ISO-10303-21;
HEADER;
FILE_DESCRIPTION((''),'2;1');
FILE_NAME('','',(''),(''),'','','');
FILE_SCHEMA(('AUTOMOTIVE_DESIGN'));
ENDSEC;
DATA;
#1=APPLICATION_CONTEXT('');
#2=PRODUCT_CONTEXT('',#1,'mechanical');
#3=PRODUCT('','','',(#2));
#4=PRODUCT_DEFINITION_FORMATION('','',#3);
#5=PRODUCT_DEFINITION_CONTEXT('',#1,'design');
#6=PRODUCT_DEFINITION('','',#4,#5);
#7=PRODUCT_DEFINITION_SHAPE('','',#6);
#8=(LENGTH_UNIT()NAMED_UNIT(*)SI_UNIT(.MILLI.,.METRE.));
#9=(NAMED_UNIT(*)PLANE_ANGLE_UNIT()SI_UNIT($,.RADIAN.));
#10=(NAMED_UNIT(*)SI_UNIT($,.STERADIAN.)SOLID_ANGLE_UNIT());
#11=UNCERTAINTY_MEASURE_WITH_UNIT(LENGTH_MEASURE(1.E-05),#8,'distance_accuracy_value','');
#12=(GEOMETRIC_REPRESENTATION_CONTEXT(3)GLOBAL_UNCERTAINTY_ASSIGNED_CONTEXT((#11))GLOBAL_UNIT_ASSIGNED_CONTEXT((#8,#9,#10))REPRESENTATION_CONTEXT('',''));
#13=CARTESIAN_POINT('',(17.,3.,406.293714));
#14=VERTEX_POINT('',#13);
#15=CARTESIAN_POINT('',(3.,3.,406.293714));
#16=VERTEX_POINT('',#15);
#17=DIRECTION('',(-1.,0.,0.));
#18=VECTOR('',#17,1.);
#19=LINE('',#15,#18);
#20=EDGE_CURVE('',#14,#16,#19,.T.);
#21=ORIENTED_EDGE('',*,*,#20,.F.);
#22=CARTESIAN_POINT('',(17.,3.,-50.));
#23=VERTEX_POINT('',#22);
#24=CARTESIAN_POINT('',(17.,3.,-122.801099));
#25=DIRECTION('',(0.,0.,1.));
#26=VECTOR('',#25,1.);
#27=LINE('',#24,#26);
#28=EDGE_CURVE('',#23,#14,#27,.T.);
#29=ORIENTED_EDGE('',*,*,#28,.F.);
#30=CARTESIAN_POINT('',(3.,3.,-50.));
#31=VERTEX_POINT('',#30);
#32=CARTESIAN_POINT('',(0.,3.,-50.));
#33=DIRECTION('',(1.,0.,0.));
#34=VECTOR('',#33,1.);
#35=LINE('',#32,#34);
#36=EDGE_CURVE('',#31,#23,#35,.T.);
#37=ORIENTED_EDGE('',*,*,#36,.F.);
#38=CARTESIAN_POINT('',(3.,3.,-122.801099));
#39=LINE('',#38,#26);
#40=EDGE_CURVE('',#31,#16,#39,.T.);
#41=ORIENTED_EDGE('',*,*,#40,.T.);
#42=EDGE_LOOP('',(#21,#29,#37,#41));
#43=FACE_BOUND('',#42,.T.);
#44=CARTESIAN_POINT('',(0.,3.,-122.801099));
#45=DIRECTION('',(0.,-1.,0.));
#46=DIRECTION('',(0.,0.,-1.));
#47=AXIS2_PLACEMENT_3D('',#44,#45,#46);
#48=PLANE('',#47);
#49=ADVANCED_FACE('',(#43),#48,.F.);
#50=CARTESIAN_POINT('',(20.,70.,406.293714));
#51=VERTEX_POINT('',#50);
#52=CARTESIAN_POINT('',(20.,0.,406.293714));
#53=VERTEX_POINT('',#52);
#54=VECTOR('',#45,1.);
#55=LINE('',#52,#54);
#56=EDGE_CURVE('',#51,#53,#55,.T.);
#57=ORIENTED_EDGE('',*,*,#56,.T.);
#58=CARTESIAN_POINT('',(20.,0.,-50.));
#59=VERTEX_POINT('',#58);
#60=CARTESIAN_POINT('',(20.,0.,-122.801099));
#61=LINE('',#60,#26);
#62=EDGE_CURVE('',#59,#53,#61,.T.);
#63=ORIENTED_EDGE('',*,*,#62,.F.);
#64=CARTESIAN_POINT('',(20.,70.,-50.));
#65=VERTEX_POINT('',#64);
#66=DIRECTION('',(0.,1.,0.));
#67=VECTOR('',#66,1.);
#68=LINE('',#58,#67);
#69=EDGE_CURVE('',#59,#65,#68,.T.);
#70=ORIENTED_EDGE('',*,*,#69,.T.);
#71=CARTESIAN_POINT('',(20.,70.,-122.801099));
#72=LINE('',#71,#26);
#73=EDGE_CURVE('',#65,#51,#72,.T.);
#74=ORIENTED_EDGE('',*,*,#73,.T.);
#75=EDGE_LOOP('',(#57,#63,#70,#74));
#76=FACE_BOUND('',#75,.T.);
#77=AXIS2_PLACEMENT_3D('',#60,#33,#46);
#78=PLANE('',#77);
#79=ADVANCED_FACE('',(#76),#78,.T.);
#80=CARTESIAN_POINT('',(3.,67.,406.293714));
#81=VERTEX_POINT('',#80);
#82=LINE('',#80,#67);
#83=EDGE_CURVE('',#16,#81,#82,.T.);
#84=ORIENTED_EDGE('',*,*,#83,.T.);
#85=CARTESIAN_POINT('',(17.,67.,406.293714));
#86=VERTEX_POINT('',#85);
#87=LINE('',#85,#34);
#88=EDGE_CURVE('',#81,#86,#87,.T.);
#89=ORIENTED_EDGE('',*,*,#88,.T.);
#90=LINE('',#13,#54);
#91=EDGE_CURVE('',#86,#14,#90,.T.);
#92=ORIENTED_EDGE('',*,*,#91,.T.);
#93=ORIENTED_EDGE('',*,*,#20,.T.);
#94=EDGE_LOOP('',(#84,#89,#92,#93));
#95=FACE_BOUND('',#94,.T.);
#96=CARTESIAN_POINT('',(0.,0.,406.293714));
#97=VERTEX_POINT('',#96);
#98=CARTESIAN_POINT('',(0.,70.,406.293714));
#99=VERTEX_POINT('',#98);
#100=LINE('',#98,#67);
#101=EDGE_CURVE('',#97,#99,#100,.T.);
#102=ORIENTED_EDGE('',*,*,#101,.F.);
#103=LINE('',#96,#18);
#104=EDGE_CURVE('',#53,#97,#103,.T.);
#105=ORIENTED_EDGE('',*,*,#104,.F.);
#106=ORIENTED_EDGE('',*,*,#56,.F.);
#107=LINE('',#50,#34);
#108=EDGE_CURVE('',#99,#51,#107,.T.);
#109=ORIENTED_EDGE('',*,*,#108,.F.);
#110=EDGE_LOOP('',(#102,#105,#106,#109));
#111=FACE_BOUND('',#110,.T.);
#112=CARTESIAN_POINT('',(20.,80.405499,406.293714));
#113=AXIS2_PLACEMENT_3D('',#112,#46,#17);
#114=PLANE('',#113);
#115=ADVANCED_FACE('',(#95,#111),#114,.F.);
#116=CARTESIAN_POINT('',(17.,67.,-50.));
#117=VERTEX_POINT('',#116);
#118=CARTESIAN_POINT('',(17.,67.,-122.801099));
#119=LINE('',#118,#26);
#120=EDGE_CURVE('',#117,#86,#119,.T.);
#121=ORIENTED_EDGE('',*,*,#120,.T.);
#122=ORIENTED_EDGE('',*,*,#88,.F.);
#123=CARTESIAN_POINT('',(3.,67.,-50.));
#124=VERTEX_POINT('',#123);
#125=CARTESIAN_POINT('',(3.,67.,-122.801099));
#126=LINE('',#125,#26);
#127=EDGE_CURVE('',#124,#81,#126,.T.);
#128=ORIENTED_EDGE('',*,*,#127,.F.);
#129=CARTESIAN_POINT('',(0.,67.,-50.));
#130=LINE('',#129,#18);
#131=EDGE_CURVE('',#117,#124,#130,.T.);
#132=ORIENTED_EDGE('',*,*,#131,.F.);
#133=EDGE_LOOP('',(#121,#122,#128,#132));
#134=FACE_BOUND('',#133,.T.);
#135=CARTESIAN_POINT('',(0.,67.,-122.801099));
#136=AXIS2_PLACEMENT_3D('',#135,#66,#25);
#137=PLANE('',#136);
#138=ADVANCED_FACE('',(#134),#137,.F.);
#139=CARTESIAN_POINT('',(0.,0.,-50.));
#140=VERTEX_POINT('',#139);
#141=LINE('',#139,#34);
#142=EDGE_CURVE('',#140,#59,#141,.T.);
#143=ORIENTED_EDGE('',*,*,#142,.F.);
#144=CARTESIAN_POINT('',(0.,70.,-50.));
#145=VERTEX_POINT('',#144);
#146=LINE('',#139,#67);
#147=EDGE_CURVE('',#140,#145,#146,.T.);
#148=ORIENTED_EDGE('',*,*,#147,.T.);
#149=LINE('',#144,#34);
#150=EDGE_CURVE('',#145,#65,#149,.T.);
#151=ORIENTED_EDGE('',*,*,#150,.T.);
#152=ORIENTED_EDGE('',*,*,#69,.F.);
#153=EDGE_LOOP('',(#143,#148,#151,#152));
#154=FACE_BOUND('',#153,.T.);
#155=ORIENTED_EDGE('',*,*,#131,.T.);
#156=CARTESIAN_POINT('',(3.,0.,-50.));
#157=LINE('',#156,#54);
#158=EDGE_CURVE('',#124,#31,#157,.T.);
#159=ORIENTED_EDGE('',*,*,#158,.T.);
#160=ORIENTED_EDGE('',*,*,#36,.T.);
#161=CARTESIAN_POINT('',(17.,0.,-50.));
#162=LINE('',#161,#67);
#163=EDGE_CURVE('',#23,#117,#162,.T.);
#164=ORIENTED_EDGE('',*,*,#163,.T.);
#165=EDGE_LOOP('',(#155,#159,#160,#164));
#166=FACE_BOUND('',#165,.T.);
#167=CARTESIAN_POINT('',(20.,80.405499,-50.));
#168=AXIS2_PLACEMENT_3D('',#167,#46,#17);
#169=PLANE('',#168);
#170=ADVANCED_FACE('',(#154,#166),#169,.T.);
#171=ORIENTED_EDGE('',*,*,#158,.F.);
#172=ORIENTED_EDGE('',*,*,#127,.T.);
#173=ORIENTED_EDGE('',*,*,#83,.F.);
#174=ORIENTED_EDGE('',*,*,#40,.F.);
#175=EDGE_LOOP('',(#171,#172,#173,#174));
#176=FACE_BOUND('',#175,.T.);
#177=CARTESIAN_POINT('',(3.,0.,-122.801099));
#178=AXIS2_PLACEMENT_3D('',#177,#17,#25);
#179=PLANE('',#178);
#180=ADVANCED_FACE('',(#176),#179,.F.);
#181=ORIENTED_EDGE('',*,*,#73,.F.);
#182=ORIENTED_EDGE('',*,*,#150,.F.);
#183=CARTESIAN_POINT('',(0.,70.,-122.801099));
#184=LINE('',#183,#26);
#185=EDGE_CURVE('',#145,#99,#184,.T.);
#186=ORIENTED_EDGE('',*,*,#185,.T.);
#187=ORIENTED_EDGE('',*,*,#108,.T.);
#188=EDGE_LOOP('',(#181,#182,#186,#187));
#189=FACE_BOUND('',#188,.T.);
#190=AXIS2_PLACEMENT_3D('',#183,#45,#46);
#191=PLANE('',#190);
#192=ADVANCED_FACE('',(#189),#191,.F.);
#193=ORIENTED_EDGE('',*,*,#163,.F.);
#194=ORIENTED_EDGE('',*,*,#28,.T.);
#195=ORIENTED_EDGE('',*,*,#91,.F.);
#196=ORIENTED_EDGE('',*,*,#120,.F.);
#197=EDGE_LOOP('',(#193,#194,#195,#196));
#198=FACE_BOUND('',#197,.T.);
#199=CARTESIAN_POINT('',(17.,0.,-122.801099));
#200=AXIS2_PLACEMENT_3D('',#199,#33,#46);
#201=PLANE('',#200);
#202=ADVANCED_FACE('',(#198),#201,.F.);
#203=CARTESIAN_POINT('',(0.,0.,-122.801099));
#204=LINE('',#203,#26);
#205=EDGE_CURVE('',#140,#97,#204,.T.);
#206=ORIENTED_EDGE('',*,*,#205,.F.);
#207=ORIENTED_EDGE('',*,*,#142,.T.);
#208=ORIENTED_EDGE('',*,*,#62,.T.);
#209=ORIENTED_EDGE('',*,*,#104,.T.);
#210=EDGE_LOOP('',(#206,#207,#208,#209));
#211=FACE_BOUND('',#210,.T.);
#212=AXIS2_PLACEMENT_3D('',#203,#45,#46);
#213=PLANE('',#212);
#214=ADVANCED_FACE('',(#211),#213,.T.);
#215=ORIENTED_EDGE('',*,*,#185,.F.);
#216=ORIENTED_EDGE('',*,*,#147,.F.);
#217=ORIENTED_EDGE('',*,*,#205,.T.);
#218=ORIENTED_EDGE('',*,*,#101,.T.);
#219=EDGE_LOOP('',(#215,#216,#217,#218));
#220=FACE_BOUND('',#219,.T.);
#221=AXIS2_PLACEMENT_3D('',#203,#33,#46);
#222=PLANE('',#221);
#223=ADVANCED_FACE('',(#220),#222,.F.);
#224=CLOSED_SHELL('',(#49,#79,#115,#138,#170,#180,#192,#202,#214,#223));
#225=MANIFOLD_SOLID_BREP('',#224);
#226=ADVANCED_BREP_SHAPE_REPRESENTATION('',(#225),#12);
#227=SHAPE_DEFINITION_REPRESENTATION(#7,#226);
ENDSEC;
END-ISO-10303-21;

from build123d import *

# Parameters (mm, degrees)
SKETCH1_W           = 3
SKETCH1_H           = 64
SKETCH1_H_2         = 3
SKETCH1_W_2         = 14
BOSS_EXTRUDE1_DEPTH = 50
SKETCH2_W           = 20
SKETCH2_H           = 70
SKETCH2_W_2         = 14
SKETCH2_H_2         = 64
BOSS_EXTRUDE2_DEPTH = 406.293714059


with BuildPart() as part:
    # Sketch1 → Boss-Extrude1 (new body)
    with BuildSketch(Plane.XY):
        with Locations((1.5, 35)):
            Rectangle(SKETCH1_W, SKETCH1_H)
        with Locations((1.5, 68.5)):
            Rectangle(SKETCH1_W, SKETCH1_H_2)
        with Locations((10, 68.5)):
            Rectangle(SKETCH1_W_2, SKETCH1_H_2)
        with Locations((18.5, 68.5)):
            Rectangle(SKETCH1_W, SKETCH1_H_2)
        with Locations((18.5, 35)):
            Rectangle(SKETCH1_W, SKETCH1_H)
        with Locations((10, 1.5)):
            Rectangle(SKETCH1_W_2, SKETCH1_H_2)
        with Locations((1.5, 1.5)):
            Rectangle(SKETCH1_W, SKETCH1_H_2)
        with Locations((18.5, 1.5)):
            Rectangle(SKETCH1_W, SKETCH1_H_2)
    extrude(amount=-BOSS_EXTRUDE1_DEPTH)

    # Sketch2 → Boss-Extrude2 (add)
    with BuildSketch(Plane.XY):
        with Locations((10, 35)):
            Rectangle(SKETCH2_W, SKETCH2_H)
        with Locations((10, 35)):
            Rectangle(SKETCH2_W_2, SKETCH2_H_2, mode=Mode.SUBTRACT)
    extrude(amount=BOSS_EXTRUDE2_DEPTH)


solid = part.part
